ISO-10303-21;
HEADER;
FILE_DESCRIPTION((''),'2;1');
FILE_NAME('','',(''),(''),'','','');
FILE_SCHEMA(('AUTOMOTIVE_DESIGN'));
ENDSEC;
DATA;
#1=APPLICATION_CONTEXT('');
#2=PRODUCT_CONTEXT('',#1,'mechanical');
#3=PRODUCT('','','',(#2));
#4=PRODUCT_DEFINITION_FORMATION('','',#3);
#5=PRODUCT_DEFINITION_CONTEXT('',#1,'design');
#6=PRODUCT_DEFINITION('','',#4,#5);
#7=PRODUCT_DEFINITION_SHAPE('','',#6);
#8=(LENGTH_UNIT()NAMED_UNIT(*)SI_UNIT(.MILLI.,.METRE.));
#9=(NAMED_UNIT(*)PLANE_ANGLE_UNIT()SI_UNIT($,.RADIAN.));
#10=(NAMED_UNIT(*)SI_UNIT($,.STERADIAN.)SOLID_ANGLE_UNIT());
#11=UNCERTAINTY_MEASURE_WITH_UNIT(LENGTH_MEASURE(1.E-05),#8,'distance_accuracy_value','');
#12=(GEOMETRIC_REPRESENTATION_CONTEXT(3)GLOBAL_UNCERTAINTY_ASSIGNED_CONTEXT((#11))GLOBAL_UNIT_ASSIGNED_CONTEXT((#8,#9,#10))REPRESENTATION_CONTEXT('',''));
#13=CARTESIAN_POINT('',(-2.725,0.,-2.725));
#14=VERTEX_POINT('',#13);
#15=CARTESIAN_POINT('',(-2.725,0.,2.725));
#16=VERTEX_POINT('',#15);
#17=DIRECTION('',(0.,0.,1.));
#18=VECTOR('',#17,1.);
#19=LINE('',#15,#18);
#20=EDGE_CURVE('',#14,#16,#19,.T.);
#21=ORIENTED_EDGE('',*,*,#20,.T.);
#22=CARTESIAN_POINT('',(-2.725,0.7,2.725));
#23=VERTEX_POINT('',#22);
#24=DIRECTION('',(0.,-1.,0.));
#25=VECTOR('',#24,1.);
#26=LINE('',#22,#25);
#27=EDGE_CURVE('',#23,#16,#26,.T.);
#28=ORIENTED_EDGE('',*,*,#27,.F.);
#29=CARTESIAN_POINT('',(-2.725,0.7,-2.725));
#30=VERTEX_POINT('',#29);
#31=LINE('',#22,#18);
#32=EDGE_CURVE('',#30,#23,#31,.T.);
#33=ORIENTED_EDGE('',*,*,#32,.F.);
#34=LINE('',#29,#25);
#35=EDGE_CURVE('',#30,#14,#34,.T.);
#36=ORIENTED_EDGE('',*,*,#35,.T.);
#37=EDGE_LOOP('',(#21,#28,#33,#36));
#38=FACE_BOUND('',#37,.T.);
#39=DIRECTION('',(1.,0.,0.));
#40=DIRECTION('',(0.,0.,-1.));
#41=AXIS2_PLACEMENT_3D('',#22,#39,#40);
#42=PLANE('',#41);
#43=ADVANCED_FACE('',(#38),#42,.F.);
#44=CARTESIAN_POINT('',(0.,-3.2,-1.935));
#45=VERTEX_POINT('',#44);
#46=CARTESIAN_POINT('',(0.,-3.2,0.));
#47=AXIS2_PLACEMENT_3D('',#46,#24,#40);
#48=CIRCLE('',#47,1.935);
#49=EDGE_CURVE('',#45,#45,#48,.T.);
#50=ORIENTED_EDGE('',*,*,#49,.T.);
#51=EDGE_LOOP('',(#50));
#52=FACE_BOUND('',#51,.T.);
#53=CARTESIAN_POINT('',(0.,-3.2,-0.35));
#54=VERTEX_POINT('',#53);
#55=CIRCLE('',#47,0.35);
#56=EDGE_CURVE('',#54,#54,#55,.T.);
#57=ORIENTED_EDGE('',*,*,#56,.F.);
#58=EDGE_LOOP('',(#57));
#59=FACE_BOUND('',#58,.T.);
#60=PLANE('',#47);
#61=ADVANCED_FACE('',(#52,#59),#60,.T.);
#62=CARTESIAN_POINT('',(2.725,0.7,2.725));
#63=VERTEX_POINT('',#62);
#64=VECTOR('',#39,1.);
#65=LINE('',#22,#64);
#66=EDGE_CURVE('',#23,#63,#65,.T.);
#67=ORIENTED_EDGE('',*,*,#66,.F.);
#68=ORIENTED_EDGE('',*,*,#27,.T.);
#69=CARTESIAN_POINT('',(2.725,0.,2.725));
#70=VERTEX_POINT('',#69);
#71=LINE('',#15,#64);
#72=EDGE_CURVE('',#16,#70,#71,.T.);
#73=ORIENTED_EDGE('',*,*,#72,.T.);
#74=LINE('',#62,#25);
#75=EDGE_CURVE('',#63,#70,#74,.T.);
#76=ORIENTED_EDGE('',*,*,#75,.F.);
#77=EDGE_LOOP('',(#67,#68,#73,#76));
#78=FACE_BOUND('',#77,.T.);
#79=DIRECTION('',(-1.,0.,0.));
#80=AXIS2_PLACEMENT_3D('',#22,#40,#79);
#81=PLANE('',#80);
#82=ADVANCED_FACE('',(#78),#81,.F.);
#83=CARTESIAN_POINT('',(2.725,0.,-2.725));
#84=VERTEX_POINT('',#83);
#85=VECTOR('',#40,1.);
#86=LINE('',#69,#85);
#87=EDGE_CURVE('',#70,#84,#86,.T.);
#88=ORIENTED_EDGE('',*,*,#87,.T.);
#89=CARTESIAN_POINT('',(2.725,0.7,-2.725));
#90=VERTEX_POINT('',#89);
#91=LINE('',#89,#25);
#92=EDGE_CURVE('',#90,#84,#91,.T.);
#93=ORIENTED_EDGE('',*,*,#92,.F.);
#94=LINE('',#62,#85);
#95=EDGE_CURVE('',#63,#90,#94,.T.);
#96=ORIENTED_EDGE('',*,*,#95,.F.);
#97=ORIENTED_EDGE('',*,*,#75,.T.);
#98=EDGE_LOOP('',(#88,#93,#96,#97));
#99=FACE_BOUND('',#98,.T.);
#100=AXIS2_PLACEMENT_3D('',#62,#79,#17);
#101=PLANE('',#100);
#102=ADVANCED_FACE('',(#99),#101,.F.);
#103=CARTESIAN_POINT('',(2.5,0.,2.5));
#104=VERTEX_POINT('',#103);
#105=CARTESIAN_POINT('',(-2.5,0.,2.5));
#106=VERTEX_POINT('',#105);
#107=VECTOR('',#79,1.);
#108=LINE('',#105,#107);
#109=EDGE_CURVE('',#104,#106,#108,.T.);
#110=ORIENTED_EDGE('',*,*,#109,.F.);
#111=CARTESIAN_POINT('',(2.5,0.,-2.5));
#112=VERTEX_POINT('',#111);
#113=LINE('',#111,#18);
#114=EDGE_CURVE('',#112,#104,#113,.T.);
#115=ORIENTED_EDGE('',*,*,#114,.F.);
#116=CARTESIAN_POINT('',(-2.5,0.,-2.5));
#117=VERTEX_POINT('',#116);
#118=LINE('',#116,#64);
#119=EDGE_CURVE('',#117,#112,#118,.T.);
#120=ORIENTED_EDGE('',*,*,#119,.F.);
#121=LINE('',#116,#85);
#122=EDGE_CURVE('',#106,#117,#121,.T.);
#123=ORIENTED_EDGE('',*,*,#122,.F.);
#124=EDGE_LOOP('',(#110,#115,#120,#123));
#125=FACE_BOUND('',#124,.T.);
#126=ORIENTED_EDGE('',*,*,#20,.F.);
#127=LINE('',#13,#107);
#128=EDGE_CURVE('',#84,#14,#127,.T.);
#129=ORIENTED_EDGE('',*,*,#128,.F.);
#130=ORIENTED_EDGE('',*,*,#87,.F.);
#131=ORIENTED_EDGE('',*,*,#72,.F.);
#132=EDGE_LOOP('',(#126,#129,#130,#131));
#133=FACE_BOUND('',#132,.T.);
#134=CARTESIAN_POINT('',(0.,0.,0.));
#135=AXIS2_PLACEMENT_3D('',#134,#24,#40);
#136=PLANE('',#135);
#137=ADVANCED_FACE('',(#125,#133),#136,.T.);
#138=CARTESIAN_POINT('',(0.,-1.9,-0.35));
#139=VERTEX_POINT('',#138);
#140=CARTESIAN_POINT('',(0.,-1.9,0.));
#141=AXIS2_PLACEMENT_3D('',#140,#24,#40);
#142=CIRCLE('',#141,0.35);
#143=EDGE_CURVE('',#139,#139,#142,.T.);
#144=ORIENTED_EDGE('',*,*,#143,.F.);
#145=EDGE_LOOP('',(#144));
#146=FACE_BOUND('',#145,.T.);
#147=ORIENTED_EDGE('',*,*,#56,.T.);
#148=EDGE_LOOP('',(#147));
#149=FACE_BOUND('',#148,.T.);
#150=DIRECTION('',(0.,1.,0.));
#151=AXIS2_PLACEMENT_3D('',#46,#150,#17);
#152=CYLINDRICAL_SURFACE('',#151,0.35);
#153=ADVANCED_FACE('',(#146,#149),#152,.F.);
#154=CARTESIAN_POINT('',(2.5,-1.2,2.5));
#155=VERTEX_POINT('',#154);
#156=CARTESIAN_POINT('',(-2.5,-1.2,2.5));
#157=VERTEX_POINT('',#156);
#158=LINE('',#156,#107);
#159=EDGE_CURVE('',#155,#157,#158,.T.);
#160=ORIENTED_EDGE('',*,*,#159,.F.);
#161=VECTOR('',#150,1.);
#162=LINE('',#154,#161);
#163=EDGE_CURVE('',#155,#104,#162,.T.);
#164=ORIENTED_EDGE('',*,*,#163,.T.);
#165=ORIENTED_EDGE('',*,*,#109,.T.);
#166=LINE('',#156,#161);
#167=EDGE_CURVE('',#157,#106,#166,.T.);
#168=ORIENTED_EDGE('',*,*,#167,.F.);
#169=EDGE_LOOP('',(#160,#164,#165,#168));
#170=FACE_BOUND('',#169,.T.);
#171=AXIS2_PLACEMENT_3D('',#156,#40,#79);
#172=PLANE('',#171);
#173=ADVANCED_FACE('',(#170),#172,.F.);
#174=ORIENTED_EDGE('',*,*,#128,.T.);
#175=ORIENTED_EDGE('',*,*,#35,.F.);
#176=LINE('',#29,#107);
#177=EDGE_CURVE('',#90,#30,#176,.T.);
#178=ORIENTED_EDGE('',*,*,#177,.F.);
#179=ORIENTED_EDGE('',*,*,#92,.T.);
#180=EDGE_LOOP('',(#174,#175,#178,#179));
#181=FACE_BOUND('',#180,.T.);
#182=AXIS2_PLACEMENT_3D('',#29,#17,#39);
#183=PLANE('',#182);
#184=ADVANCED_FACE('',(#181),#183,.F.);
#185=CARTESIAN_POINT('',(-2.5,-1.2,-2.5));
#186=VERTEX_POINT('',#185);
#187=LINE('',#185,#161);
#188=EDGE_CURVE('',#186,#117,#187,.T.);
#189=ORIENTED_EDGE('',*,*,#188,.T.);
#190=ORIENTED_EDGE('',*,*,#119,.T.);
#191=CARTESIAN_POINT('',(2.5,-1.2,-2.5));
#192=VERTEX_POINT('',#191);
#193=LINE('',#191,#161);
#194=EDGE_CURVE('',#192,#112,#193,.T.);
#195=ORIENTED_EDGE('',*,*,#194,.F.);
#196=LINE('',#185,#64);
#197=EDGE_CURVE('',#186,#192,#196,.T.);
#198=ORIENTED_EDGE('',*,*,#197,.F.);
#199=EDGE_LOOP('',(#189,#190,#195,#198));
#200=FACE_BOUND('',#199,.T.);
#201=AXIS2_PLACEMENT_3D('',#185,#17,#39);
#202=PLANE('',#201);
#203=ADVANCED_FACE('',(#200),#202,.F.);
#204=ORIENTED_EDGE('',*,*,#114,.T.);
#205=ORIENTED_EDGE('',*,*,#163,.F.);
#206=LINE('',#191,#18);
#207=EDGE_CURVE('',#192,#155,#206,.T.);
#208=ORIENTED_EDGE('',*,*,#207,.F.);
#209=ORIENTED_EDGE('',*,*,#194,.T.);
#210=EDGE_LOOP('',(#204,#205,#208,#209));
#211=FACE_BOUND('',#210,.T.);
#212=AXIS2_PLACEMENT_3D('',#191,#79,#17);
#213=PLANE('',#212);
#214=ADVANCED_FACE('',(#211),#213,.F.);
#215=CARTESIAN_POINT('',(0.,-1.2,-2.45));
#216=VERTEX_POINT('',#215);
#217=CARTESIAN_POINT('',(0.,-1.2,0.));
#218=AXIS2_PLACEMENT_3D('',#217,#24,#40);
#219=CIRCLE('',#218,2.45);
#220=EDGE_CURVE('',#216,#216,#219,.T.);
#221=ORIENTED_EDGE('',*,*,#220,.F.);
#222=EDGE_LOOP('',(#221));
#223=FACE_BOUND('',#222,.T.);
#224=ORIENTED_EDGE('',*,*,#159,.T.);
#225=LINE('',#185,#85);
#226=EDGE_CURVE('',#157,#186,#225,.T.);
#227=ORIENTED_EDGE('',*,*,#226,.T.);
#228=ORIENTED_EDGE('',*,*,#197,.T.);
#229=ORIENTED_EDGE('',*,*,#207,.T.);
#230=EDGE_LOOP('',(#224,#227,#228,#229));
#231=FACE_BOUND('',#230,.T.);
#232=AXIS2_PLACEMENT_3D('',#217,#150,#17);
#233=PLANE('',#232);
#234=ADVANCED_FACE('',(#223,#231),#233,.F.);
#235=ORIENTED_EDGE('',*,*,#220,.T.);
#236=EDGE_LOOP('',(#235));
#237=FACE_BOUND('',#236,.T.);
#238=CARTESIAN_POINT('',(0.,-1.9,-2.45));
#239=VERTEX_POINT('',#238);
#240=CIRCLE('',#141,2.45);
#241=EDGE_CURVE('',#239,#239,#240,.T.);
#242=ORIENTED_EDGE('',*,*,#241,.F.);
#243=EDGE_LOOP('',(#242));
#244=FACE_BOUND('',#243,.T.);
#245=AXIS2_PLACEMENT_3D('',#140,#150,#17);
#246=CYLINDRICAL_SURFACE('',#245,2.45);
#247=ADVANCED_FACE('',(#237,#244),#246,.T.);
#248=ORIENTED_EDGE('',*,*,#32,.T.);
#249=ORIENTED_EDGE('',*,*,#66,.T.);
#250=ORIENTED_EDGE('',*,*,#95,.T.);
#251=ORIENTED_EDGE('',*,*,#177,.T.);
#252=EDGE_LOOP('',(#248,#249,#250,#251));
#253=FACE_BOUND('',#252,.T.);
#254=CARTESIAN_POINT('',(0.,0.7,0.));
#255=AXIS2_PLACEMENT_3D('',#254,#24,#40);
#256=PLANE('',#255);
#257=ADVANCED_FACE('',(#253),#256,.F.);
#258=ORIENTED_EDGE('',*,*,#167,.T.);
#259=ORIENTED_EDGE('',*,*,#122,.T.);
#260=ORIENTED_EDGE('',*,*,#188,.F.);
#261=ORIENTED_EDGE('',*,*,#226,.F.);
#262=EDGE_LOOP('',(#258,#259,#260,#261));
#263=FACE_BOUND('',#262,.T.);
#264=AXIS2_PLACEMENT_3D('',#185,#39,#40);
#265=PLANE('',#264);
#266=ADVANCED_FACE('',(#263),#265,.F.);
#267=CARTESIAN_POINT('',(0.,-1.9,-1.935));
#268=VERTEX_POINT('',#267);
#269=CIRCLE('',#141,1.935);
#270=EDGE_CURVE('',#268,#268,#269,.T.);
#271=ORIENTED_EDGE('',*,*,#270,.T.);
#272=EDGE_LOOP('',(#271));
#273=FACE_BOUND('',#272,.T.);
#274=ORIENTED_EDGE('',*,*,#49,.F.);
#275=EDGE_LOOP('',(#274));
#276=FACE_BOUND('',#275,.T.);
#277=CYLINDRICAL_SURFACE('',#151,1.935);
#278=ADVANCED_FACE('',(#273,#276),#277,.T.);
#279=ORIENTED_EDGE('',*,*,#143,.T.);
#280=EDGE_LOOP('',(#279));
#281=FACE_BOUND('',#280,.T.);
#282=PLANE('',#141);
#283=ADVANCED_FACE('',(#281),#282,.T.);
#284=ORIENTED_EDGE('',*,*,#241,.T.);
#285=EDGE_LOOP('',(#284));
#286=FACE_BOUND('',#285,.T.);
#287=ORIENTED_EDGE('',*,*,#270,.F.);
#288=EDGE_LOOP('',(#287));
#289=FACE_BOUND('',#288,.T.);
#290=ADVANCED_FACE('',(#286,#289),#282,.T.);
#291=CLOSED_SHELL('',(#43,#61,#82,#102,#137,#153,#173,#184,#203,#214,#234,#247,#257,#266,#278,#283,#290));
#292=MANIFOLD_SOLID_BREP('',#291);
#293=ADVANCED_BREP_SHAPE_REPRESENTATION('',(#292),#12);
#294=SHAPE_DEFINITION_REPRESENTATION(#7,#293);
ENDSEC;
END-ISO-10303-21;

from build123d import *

# Parameters (mm, degrees)
SKETCH1_W           = 5.45
SKETCH1_H           = 5.45
BOSS_EXTRUDE1_DEPTH = 0.7
SKETCH2_W           = 5
SKETCH2_H           = 5
BOSS_EXTRUDE2_DEPTH = 1.2
SKETCH4_R           = 2.45
BOSS_EXTRUDE3_DEPTH = 0.7
SKETCH5_R           = 1.935
SKETCH5_R_2         = 0.35
BOSS_EXTRUDE4_DEPTH = 1.3


with BuildPart() as part:
    # Sketch1 → Boss-Extrude1 (new body)
    with BuildSketch(Plane(origin=(0, 0, 0), x_dir=(1, 0, 0), z_dir=(0, 1, 0))):
        Rectangle(SKETCH1_W, SKETCH1_H)
    extrude(amount=BOSS_EXTRUDE1_DEPTH)

    # Sketch2 → Boss-Extrude2 (add)
    with BuildSketch(Plane.XZ):
        Rectangle(SKETCH2_W, SKETCH2_H)
    extrude(amount=BOSS_EXTRUDE2_DEPTH)

    # Sketch4 → Boss-Extrude3 (add)
    with BuildSketch(Plane.XZ.offset(1.2)):
        with Locations(Location((0, 0, 0), (0, 0, 270))):
            Circle(SKETCH4_R)
    extrude(amount=BOSS_EXTRUDE3_DEPTH)

    # Sketch5 → Boss-Extrude4 (add)
    with BuildSketch(Plane.XZ.offset(1.9)):
        with Locations(Location((0, 0, 0), (0, 0, 270))):
            Circle(SKETCH5_R)
        with Locations(Location((0, 0, 0), (0, 0, 270))):
            Circle(SKETCH5_R_2, mode=Mode.SUBTRACT)
    extrude(amount=BOSS_EXTRUDE4_DEPTH)


solid = part.part
